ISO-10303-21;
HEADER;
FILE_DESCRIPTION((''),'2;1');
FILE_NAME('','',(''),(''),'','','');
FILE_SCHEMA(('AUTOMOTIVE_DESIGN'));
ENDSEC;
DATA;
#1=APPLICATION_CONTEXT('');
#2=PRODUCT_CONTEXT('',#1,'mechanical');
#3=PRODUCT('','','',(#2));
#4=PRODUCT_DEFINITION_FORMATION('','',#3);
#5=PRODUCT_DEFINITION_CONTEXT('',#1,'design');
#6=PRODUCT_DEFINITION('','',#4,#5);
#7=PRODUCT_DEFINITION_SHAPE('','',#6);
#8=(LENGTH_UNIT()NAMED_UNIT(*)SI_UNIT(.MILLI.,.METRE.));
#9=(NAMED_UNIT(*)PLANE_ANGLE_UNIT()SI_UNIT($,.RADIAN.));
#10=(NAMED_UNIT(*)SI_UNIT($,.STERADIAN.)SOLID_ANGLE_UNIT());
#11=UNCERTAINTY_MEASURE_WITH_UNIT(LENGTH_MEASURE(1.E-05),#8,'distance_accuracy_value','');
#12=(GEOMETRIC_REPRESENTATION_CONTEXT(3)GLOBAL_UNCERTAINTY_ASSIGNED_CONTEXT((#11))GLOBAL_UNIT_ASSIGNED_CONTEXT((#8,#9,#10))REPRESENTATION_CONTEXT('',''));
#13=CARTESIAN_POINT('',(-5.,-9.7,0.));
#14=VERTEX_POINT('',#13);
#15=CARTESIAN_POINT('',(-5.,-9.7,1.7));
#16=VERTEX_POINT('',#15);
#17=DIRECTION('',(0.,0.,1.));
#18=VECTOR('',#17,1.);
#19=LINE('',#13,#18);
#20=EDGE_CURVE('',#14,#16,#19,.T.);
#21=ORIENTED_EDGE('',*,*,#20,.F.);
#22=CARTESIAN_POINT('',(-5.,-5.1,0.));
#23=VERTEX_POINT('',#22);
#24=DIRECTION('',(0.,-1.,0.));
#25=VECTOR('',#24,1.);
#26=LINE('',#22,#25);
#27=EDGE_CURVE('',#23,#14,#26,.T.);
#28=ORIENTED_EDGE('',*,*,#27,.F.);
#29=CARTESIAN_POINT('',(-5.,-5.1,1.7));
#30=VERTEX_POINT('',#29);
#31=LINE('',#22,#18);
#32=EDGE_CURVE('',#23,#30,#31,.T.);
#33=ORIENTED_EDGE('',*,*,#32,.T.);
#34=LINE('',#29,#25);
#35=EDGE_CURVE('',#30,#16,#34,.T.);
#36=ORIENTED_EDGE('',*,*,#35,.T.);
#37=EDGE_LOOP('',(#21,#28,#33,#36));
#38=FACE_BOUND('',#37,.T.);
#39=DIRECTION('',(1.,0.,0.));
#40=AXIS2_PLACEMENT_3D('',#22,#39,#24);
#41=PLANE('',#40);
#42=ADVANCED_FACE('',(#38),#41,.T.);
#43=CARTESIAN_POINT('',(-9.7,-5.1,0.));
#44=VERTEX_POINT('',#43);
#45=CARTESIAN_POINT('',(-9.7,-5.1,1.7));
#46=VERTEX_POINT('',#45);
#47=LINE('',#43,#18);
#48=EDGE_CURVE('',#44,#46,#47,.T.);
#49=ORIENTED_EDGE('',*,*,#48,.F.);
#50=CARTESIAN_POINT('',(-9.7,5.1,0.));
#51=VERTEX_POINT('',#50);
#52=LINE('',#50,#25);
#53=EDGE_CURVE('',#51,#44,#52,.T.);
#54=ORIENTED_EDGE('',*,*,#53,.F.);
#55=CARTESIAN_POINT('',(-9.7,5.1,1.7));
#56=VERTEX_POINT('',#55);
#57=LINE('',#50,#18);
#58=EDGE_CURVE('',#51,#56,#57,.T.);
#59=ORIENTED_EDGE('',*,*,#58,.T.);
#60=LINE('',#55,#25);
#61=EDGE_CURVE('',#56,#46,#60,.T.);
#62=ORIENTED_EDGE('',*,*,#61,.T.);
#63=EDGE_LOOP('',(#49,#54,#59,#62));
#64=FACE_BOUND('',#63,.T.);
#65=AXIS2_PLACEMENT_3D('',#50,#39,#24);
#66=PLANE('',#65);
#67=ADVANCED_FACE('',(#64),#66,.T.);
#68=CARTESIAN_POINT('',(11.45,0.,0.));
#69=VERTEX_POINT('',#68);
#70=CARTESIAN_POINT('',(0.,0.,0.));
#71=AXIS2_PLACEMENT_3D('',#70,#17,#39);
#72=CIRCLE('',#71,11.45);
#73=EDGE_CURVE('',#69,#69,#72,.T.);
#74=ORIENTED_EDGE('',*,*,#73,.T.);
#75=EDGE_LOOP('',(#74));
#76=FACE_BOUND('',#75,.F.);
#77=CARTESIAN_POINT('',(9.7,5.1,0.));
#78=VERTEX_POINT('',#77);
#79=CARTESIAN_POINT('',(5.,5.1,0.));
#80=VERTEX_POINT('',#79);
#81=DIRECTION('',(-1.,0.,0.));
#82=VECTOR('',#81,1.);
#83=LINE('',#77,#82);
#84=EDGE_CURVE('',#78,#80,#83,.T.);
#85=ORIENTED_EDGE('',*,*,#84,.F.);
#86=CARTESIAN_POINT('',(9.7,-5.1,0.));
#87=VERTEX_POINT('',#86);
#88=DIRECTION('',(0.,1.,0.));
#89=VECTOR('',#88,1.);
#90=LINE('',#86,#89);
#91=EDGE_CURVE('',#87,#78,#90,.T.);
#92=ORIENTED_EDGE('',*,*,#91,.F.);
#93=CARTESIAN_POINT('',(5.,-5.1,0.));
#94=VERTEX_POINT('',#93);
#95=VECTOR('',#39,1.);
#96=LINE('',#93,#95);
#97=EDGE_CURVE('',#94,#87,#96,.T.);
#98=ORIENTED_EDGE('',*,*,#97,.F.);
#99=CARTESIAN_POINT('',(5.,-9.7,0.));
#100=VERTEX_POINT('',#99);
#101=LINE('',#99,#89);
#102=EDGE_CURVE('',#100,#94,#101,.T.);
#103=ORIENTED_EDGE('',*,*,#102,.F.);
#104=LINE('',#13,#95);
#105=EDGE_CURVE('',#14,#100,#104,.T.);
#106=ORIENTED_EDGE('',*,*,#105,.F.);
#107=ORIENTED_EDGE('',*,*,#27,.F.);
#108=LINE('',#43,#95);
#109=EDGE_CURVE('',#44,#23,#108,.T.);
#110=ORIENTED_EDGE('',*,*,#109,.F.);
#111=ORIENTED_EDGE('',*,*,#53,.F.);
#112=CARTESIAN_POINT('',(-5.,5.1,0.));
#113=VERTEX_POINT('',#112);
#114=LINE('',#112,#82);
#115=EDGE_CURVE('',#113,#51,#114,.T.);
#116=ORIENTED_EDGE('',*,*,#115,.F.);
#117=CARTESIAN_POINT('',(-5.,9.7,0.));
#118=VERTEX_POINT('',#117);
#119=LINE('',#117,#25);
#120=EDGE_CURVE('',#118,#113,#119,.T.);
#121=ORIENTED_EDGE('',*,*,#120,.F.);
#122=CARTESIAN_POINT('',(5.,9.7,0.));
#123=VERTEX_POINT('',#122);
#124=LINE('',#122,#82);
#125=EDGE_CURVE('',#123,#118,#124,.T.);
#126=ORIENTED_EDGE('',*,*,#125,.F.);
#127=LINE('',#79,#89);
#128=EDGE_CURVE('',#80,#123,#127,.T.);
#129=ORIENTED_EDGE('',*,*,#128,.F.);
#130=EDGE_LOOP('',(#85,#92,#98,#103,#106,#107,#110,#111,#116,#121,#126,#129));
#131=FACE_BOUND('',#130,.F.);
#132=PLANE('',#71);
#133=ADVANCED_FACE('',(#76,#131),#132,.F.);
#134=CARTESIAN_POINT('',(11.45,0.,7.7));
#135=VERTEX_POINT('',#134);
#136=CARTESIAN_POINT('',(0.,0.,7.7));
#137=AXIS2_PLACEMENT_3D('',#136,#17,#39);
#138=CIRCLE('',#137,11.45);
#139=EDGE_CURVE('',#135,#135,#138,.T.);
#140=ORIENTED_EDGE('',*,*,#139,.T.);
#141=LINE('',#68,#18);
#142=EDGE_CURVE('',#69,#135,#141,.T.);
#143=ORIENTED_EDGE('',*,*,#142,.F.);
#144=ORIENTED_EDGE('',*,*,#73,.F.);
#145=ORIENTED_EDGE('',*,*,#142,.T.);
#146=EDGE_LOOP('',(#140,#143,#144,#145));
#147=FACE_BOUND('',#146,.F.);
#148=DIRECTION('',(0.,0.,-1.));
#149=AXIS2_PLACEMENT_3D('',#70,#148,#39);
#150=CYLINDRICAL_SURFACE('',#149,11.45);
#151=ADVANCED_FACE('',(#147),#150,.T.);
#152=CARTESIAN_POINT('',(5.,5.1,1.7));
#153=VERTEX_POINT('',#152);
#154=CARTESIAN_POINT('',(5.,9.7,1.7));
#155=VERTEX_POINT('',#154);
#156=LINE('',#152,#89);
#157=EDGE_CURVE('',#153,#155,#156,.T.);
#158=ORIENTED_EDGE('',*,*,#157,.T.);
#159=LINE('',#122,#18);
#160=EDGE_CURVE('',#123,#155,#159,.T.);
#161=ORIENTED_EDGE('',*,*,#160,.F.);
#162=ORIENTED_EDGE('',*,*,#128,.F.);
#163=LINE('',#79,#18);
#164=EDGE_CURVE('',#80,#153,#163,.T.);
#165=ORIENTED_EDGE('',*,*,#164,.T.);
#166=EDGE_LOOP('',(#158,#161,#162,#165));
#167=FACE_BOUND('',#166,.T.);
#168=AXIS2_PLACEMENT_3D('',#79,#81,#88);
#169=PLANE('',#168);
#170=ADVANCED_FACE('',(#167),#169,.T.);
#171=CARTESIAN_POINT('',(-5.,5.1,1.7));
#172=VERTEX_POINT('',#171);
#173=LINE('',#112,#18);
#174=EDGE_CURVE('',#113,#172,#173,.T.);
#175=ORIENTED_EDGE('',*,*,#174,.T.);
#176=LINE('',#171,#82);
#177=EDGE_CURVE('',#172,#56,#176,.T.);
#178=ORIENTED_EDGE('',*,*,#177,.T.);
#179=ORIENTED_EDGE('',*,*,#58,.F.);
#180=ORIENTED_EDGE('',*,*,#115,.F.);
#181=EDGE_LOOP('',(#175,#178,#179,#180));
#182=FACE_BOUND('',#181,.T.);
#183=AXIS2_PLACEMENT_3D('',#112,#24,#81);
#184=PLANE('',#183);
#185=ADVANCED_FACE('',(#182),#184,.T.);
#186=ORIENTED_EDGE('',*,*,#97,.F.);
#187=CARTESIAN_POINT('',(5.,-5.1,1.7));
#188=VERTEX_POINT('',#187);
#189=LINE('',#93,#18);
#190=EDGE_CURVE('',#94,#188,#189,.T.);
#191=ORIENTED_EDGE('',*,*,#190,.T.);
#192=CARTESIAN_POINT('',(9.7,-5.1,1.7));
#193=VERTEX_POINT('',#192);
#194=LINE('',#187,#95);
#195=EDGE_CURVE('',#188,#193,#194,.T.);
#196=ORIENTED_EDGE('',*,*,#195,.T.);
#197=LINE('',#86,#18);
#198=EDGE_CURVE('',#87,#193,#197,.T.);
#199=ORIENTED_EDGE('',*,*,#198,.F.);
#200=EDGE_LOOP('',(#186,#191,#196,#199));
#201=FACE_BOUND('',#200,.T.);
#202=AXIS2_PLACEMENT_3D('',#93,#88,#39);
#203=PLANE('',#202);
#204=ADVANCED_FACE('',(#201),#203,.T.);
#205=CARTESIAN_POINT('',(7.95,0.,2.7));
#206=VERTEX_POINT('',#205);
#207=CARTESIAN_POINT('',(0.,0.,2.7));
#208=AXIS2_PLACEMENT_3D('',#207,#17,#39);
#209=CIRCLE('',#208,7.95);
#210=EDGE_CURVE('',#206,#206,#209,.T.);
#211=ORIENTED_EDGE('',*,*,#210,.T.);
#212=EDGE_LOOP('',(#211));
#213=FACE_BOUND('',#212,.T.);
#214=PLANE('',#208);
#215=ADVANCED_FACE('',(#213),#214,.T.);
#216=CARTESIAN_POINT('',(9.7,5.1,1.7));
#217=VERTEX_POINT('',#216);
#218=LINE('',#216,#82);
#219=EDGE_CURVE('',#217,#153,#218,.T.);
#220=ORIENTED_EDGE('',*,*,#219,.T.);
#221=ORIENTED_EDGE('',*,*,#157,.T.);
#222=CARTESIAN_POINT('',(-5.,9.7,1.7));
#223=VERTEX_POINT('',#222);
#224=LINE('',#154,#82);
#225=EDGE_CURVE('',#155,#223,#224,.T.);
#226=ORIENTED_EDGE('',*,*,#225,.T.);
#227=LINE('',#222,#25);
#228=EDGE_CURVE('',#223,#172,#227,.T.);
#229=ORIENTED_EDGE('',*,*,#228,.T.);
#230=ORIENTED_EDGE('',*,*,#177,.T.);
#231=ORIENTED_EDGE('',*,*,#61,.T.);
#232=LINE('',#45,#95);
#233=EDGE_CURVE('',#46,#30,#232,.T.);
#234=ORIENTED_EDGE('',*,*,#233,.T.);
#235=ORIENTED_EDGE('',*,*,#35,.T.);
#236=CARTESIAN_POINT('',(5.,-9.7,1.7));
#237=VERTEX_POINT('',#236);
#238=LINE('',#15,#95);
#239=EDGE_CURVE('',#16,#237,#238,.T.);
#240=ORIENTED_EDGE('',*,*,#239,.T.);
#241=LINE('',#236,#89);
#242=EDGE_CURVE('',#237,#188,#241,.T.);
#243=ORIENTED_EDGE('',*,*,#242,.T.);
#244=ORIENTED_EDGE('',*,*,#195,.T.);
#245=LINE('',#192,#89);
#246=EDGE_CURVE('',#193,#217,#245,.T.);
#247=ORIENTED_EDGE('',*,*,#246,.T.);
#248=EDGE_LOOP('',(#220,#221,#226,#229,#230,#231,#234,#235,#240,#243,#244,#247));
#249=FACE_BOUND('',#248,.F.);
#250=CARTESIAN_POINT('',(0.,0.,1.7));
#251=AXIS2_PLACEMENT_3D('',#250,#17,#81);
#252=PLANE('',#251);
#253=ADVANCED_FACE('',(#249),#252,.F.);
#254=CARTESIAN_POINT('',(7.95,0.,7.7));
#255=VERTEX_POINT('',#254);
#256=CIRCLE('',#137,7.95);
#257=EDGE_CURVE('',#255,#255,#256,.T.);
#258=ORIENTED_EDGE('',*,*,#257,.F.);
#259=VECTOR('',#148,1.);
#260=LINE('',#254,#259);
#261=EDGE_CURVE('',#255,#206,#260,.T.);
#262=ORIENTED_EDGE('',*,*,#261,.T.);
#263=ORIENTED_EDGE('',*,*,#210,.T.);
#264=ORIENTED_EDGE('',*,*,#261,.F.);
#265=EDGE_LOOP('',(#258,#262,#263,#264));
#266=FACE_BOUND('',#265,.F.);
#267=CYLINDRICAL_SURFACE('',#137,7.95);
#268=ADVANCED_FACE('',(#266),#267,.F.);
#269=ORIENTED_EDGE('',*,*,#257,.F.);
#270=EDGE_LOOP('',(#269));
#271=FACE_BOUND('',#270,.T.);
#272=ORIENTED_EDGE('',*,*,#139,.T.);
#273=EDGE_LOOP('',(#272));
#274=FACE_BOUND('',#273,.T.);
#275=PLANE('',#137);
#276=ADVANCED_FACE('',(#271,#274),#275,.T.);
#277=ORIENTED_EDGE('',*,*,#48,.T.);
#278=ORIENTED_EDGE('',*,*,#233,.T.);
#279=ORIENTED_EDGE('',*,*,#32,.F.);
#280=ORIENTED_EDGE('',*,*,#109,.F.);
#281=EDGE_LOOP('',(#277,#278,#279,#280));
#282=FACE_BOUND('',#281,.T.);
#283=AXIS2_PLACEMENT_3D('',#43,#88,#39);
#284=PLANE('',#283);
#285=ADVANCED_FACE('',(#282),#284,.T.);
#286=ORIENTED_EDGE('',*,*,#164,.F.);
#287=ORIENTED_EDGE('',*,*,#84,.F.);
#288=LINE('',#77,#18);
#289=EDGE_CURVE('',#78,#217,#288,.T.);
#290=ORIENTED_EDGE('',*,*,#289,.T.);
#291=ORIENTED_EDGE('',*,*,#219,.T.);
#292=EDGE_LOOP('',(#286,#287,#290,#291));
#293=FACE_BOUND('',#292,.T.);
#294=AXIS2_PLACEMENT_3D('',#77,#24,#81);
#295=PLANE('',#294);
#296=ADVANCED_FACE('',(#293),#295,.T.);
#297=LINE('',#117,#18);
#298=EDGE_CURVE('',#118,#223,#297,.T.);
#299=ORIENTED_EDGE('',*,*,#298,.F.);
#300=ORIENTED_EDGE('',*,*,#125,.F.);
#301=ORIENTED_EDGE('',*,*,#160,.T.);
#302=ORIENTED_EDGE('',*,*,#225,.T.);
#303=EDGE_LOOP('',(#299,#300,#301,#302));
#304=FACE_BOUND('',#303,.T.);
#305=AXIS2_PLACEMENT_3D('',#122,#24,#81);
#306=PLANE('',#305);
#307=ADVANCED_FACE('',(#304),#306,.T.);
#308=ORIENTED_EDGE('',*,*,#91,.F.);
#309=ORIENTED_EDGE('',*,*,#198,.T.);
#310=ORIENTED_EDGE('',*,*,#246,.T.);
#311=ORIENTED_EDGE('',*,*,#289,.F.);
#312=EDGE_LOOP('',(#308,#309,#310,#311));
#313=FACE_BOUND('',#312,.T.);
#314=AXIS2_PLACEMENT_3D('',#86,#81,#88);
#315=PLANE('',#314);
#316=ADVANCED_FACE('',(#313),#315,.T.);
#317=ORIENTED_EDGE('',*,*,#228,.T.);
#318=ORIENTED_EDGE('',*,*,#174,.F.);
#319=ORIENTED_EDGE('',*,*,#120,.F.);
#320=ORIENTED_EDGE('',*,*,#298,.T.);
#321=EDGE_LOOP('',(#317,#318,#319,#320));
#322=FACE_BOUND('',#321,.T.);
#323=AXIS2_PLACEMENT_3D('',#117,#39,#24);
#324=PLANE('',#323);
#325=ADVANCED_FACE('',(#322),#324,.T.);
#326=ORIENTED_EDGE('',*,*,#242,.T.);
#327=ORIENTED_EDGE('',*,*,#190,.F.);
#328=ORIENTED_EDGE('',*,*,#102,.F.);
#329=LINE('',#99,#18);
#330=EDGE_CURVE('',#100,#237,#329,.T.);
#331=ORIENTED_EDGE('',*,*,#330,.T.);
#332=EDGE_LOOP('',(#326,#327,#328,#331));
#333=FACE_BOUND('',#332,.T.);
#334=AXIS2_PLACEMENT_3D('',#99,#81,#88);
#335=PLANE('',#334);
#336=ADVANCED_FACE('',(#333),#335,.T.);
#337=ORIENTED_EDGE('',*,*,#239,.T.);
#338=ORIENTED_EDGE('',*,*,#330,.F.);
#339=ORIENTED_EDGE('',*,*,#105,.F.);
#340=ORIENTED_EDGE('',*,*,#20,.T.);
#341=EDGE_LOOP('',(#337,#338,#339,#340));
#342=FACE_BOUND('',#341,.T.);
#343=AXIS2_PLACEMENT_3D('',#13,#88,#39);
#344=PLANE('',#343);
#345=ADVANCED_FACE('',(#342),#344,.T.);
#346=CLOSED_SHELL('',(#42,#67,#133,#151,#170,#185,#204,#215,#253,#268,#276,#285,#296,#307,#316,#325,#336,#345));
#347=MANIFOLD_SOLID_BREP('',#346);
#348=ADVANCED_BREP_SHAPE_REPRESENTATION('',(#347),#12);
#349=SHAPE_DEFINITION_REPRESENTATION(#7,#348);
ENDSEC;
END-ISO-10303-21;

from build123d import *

# Parameters (mm, degrees)
SKETCH_R        = 11.45
PAD_DEPTH       = 7.7
SKETCH003_R     = 7.95
POCKET_DEPTH    = 5
POCKET001_DEPTH = 1.7


with BuildPart() as part:
    # Sketch → Pad (new body)
    with BuildSketch(Plane.XY):
        Circle(SKETCH_R)
    extrude(amount=PAD_DEPTH)

    # Sketch003 (on Face3 of Pad) → Pocket (cut)
    with BuildSketch(Plane.XY.offset(7.7)):
        Circle(SKETCH003_R)
    extrude(amount=-POCKET_DEPTH, mode=Mode.SUBTRACT)

    # Sketch002 → Pocket001 (cut)
    with BuildSketch(Plane(origin=(0, 0, 0), x_dir=(1, 0, 0), z_dir=(0, 0, -1))):
        Polygon((-9.7, 5.1), (-5, 5.1), (-5, 9.7), (5, 9.7), (5, 5.1), (9.7, 5.1), (9.7, -5.1), (5, -5.1), (5, -9.7), (-5, -9.7), (-5, -5.1), (-9.7, -5.1), align=None)
    extrude(amount=-POCKET001_DEPTH, mode=Mode.SUBTRACT)


solid = part.part
